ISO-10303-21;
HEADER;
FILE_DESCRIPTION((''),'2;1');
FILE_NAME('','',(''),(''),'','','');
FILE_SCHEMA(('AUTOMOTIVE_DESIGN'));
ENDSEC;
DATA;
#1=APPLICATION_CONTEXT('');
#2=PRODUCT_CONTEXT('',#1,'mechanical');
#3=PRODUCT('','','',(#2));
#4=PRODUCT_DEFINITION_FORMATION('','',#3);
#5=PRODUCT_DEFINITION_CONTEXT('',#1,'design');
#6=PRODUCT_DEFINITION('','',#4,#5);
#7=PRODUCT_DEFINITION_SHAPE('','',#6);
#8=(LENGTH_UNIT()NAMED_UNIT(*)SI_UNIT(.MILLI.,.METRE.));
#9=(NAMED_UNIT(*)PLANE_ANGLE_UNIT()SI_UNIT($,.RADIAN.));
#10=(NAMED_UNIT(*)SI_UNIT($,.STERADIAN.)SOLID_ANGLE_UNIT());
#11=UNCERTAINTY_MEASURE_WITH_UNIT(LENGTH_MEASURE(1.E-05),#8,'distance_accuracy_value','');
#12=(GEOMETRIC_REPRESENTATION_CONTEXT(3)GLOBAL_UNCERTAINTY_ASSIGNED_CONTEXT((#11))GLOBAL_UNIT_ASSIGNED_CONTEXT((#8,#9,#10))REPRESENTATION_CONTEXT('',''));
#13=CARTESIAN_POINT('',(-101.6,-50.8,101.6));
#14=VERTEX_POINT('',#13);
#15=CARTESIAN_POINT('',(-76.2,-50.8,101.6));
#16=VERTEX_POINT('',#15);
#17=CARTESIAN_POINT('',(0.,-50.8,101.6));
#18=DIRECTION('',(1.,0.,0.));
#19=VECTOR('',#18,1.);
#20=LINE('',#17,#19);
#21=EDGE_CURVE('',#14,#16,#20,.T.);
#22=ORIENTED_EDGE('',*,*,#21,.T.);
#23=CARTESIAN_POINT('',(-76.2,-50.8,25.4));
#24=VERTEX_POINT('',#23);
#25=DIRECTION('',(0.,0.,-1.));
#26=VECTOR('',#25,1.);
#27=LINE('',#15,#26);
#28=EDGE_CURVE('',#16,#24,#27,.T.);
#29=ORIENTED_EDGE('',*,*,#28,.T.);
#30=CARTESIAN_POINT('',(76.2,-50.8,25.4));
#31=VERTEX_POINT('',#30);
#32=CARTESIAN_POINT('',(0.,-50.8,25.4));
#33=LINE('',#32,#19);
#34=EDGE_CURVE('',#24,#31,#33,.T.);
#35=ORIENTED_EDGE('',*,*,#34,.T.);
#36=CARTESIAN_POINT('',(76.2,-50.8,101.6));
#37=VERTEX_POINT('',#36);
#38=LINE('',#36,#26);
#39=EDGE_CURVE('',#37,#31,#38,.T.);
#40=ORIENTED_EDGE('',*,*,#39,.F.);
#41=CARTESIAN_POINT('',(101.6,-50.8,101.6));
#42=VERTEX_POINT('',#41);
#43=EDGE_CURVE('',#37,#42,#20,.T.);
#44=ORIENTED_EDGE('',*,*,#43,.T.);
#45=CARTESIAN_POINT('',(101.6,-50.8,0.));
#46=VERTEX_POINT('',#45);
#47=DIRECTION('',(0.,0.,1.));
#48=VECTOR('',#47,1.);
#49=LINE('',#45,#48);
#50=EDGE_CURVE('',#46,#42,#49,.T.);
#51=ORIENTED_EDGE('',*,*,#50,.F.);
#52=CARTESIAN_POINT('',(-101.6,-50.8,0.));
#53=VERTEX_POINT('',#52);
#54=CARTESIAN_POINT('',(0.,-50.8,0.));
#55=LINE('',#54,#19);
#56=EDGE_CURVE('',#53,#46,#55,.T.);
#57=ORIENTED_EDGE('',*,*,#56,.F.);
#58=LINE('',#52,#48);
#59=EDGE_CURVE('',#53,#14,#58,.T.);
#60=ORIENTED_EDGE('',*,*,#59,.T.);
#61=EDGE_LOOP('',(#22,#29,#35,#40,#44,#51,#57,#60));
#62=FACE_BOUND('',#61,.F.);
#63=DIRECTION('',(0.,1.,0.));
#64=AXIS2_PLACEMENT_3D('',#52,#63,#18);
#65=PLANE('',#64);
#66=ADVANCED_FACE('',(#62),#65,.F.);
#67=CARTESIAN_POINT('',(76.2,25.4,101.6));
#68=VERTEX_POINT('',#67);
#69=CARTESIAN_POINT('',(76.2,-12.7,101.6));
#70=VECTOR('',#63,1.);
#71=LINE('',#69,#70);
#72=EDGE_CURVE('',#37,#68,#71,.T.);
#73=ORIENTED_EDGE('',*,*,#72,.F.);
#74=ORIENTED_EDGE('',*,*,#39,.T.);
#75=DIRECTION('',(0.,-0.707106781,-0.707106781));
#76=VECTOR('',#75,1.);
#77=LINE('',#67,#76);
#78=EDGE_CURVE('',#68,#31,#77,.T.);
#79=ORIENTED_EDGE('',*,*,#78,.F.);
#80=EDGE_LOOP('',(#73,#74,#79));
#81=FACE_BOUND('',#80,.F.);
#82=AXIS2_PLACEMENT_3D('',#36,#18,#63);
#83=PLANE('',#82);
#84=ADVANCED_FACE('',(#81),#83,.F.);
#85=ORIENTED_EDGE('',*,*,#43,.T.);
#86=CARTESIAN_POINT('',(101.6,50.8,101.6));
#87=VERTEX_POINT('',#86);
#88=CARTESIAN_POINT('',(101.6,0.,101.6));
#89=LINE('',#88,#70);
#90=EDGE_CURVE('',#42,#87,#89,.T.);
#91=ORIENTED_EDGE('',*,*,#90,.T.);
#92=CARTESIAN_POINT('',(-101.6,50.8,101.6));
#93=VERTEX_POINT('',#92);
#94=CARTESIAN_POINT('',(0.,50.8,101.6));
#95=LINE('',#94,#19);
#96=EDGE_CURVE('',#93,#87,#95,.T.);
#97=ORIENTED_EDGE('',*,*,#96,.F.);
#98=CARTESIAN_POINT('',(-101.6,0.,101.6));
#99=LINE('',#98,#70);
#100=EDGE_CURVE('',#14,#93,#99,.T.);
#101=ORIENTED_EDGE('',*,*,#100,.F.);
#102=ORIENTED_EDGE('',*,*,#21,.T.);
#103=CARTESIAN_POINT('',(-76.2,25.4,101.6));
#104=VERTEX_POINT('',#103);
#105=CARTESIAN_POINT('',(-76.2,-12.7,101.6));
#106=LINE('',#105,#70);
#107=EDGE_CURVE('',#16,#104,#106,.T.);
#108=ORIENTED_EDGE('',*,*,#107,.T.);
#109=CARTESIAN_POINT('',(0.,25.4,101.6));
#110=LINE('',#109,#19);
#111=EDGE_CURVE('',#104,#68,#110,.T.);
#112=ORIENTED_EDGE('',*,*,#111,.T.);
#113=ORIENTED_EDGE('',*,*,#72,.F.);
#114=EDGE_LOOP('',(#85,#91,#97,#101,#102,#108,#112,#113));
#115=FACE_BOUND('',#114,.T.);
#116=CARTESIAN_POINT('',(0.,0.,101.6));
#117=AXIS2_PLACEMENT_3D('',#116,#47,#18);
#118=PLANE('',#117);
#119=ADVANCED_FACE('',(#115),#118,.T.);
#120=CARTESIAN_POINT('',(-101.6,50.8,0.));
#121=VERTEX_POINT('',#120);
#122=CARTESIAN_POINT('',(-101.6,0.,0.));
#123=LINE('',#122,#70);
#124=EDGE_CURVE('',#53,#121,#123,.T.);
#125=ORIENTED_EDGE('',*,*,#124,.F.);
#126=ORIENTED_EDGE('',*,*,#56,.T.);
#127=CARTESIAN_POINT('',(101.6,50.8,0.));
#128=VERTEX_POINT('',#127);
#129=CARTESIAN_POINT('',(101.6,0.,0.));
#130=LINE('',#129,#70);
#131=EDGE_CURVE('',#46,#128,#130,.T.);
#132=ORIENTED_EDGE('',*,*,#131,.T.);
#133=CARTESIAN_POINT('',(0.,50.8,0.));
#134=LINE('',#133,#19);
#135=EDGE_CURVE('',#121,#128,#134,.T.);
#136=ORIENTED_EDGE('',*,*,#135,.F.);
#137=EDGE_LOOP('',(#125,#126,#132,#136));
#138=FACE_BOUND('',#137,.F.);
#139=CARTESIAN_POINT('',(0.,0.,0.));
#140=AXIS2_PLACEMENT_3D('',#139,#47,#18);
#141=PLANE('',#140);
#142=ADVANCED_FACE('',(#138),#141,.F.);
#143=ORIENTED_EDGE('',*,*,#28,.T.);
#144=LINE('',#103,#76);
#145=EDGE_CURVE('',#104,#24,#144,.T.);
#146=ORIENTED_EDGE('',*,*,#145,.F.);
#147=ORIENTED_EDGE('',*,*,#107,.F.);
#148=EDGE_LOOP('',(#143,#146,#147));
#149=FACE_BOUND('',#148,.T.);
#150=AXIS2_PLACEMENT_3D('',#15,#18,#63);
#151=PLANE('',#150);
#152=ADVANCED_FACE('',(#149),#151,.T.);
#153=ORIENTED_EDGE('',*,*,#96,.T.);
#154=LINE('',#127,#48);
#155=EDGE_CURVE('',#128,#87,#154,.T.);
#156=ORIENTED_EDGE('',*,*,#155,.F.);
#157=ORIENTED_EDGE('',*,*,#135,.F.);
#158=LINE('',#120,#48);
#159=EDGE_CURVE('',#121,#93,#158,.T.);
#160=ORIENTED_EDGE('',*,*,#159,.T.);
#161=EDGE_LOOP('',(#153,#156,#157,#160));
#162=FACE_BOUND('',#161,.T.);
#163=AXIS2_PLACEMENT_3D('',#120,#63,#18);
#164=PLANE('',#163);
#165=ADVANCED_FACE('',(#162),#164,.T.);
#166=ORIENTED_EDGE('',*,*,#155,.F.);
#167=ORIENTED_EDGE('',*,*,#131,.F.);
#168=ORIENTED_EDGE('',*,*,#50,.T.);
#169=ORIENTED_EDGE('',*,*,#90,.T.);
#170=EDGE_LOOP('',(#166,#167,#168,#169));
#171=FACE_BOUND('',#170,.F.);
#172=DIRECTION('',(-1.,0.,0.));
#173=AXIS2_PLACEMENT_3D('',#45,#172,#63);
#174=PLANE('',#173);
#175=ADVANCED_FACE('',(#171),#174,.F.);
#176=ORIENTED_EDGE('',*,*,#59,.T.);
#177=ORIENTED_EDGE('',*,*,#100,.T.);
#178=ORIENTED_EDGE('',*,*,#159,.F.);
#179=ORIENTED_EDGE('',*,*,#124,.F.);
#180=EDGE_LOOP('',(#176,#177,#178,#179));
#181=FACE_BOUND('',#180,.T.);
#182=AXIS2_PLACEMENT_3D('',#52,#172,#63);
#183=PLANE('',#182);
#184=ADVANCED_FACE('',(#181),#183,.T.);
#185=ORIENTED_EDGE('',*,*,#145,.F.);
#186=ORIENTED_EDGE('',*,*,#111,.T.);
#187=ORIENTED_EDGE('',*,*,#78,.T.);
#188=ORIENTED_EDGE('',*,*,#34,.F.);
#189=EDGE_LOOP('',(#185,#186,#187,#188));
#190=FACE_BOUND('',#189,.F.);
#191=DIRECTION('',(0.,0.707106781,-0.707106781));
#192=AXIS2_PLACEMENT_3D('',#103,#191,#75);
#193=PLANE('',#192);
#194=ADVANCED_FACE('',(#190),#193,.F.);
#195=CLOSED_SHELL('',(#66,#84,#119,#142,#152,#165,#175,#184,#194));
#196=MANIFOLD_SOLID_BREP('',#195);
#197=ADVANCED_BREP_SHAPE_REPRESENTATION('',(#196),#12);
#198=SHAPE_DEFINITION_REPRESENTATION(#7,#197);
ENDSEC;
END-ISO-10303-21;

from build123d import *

# Parameters (mm, degrees)
F0_W     = 203.2
F0_H     = 101.6
F1_DEPTH = 101.6
F2_W     = 152.4
F2_H     = 76.2
F3_DEPTH = 76.2
F5_DEPTH = 152.4


with BuildPart() as f1:
    # F0 (on Top) → F1 (new body)
    with BuildSketch(Plane.XY):
        Rectangle(F0_W, F0_H)
    extrude(amount=F1_DEPTH)

    # F2 (on face) → F3 (cut)
    with BuildSketch(Plane.XY.offset(101.6)):
        with Locations((0, -12.7)):
            Rectangle(F2_W, F2_H)
    extrude(amount=-F3_DEPTH, mode=Mode.SUBTRACT)

    # F4 (on face) → F5 (join)
    with BuildSketch(Plane.YZ.offset(-76.2)):
        Polygon((25.4, 25.4), (25.4, 101.6), (-50.8, 25.4), align=None)
    extrude(amount=F5_DEPTH)


solid = f1.part
